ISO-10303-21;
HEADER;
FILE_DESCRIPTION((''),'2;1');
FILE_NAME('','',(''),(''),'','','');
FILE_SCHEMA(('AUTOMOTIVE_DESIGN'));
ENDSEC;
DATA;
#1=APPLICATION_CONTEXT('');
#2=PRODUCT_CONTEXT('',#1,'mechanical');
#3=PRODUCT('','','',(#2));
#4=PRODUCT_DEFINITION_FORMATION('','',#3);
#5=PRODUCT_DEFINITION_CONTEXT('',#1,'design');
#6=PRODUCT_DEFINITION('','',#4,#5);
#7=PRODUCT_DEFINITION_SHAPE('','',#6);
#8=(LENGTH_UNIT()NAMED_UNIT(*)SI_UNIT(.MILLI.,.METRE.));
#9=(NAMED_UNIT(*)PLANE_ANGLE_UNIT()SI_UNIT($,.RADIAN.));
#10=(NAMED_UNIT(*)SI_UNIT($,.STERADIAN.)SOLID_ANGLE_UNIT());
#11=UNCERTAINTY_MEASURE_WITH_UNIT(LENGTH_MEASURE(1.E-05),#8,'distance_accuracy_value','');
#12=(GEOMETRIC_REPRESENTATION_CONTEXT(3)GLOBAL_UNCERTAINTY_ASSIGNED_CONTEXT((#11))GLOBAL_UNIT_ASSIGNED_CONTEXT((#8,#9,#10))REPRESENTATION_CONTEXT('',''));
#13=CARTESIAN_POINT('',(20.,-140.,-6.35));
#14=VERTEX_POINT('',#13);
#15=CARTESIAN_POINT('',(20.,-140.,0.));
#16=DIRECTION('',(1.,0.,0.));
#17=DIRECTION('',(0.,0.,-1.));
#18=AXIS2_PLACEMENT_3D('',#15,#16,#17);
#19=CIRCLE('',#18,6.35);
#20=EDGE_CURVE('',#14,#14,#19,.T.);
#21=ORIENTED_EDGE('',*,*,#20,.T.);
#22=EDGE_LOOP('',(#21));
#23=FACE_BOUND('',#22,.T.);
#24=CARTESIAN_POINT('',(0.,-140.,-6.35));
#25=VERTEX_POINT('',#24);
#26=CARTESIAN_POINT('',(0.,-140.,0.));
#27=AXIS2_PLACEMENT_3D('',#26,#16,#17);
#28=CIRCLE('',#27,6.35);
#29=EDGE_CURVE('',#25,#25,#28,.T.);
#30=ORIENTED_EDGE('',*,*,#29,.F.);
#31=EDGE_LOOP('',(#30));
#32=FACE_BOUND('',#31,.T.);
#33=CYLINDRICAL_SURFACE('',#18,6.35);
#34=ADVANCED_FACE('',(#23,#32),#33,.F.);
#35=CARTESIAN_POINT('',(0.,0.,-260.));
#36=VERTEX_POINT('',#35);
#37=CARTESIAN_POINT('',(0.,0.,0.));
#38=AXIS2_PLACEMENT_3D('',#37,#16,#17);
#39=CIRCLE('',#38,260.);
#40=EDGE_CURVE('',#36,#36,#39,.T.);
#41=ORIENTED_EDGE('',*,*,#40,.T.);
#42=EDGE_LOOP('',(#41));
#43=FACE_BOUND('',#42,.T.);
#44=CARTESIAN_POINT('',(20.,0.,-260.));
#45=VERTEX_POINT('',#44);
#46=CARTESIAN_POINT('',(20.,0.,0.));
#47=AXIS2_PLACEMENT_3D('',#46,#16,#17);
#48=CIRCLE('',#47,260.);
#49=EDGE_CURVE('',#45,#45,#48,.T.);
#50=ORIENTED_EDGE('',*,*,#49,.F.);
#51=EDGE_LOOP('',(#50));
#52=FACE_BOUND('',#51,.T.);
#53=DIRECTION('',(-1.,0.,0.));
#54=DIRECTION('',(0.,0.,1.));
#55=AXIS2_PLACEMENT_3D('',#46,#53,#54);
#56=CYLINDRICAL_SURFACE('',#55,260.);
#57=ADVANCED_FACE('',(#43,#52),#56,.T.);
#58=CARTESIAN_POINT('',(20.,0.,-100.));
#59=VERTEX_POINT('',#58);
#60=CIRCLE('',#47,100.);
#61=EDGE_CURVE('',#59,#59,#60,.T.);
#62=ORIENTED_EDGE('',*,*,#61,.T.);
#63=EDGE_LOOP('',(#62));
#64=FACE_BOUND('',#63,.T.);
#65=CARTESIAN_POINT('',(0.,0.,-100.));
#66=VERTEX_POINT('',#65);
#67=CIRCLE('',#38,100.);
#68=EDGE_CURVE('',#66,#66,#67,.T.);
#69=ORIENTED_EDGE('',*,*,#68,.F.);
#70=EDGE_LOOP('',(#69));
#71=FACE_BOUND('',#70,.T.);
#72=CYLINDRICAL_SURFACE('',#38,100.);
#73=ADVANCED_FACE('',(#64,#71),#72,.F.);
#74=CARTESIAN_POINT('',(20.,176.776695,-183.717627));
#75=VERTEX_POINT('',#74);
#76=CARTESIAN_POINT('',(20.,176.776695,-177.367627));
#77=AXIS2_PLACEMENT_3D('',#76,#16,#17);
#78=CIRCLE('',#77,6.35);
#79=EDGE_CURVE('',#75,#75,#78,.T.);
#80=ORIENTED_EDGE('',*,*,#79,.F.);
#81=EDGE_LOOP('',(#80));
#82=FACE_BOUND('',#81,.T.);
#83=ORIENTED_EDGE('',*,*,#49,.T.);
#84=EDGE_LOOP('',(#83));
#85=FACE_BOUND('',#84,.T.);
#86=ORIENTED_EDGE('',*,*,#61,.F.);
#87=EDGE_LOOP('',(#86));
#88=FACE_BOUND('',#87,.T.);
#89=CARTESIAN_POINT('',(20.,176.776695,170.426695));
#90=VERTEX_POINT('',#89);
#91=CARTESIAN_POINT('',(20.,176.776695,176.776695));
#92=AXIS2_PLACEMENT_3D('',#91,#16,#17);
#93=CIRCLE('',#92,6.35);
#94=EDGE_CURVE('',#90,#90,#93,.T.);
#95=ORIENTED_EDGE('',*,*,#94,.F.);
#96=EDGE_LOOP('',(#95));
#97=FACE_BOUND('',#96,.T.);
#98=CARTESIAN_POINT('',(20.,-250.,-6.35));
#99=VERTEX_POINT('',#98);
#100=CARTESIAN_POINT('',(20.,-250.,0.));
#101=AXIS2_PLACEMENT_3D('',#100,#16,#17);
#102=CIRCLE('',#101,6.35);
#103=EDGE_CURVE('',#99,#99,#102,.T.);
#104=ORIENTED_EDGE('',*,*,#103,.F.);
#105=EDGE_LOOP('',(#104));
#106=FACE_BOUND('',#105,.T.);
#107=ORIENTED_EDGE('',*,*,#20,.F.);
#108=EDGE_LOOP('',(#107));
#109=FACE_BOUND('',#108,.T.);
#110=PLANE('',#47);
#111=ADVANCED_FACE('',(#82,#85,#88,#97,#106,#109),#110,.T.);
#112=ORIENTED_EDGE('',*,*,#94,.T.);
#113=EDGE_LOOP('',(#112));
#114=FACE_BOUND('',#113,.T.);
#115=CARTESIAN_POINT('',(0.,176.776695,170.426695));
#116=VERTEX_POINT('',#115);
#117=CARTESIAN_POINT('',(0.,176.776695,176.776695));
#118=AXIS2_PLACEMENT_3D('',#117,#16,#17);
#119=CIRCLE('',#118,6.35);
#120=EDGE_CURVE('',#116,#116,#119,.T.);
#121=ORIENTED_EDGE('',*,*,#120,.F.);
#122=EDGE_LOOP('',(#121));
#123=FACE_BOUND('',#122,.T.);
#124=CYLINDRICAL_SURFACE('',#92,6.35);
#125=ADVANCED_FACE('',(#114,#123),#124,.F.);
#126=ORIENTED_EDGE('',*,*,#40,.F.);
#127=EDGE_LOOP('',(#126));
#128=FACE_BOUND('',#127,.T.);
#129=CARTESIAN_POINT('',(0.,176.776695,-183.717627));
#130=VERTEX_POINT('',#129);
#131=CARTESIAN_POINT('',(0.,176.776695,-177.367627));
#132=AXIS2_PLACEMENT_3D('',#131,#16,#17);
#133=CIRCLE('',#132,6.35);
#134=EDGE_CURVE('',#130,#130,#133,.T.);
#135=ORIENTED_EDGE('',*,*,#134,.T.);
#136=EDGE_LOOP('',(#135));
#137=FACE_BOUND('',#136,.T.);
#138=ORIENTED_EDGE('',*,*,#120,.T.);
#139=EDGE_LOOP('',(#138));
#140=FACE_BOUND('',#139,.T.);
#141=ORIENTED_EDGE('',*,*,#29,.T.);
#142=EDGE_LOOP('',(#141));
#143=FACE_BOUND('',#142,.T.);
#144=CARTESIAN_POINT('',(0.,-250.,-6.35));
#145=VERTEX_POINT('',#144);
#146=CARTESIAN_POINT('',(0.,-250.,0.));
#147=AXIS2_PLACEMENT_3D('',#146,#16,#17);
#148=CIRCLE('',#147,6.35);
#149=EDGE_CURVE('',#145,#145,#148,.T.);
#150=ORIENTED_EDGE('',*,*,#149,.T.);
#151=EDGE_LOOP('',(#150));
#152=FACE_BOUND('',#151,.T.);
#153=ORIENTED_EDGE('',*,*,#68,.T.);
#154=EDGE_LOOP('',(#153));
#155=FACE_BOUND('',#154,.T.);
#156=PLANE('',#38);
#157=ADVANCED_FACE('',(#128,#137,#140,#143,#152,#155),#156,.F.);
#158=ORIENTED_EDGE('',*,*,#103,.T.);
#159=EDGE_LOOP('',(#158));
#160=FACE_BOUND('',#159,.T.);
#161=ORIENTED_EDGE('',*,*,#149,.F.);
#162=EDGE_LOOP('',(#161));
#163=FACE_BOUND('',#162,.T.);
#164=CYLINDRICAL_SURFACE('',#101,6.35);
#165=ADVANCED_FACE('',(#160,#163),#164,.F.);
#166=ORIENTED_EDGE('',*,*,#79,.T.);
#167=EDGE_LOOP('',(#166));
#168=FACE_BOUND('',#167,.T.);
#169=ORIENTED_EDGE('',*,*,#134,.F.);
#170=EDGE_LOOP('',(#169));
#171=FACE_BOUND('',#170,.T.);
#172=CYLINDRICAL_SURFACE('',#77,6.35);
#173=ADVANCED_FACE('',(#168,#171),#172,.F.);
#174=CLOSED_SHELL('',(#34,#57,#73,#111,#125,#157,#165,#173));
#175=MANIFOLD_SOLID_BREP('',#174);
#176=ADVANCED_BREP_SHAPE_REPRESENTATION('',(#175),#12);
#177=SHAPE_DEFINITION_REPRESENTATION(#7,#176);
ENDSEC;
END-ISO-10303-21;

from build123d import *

# Parameters (mm, degrees)
SKETCH1_R                         = 260
BOSS_EXTRUDE1_DEPTH               = 20
SKETCH2_R                         = 100
CUT_EXTRUDE1_DEPTH                = 20
F_1_2_13_TAPPED_HOLE1_D           = 10.71626
F_1_2_13_TAPPED_HOLE1_DEPTH       = 70.4
F_1_2_13_TAPPED_HOLE1_CBORE_D     = 12.7
F_1_2_13_TAPPED_HOLE1_CBORE_DEPTH = 64.5
F_1_2_13_TAPPED_HOLE1_TIP         = 3.219489309


with BuildPart() as part:
    # Sketch1 → Boss-Extrude1 (new body)
    with BuildSketch(Plane(origin=(0, 0, 0), x_dir=(0, 0, -1), z_dir=(1, 0, 0))):
        Circle(SKETCH1_R)
    extrude(amount=BOSS_EXTRUDE1_DEPTH)

    # Sketch2 → Cut-Extrude1 (cut)
    with BuildSketch(Plane(origin=(20, 0, 0), x_dir=(0, 0, -1), z_dir=(1, 0, 0))):
        Circle(SKETCH2_R)
    extrude(amount=-CUT_EXTRUDE1_DEPTH, mode=Mode.SUBTRACT)

    # 1/2-13 Tapped Hole1
    with Locations(Plane(origin=(20, 176.776695297, -177.367627121), x_dir=(0, 0, 1), z_dir=(1, 0, 0))):
        with Locations((0, 0), (354.144322418, 0), (177.367627121, 426.776695297), (177.367627121, 316.776695297)):
            CounterBoreHole(F_1_2_13_TAPPED_HOLE1_D / 2, F_1_2_13_TAPPED_HOLE1_CBORE_D / 2, F_1_2_13_TAPPED_HOLE1_CBORE_DEPTH, depth=F_1_2_13_TAPPED_HOLE1_DEPTH)
            with Locations((0, 0, -(F_1_2_13_TAPPED_HOLE1_DEPTH + F_1_2_13_TAPPED_HOLE1_TIP / 2))):  # 118° drill point
                Cone(0, F_1_2_13_TAPPED_HOLE1_D / 2, F_1_2_13_TAPPED_HOLE1_TIP, mode=Mode.SUBTRACT)


solid = part.part
